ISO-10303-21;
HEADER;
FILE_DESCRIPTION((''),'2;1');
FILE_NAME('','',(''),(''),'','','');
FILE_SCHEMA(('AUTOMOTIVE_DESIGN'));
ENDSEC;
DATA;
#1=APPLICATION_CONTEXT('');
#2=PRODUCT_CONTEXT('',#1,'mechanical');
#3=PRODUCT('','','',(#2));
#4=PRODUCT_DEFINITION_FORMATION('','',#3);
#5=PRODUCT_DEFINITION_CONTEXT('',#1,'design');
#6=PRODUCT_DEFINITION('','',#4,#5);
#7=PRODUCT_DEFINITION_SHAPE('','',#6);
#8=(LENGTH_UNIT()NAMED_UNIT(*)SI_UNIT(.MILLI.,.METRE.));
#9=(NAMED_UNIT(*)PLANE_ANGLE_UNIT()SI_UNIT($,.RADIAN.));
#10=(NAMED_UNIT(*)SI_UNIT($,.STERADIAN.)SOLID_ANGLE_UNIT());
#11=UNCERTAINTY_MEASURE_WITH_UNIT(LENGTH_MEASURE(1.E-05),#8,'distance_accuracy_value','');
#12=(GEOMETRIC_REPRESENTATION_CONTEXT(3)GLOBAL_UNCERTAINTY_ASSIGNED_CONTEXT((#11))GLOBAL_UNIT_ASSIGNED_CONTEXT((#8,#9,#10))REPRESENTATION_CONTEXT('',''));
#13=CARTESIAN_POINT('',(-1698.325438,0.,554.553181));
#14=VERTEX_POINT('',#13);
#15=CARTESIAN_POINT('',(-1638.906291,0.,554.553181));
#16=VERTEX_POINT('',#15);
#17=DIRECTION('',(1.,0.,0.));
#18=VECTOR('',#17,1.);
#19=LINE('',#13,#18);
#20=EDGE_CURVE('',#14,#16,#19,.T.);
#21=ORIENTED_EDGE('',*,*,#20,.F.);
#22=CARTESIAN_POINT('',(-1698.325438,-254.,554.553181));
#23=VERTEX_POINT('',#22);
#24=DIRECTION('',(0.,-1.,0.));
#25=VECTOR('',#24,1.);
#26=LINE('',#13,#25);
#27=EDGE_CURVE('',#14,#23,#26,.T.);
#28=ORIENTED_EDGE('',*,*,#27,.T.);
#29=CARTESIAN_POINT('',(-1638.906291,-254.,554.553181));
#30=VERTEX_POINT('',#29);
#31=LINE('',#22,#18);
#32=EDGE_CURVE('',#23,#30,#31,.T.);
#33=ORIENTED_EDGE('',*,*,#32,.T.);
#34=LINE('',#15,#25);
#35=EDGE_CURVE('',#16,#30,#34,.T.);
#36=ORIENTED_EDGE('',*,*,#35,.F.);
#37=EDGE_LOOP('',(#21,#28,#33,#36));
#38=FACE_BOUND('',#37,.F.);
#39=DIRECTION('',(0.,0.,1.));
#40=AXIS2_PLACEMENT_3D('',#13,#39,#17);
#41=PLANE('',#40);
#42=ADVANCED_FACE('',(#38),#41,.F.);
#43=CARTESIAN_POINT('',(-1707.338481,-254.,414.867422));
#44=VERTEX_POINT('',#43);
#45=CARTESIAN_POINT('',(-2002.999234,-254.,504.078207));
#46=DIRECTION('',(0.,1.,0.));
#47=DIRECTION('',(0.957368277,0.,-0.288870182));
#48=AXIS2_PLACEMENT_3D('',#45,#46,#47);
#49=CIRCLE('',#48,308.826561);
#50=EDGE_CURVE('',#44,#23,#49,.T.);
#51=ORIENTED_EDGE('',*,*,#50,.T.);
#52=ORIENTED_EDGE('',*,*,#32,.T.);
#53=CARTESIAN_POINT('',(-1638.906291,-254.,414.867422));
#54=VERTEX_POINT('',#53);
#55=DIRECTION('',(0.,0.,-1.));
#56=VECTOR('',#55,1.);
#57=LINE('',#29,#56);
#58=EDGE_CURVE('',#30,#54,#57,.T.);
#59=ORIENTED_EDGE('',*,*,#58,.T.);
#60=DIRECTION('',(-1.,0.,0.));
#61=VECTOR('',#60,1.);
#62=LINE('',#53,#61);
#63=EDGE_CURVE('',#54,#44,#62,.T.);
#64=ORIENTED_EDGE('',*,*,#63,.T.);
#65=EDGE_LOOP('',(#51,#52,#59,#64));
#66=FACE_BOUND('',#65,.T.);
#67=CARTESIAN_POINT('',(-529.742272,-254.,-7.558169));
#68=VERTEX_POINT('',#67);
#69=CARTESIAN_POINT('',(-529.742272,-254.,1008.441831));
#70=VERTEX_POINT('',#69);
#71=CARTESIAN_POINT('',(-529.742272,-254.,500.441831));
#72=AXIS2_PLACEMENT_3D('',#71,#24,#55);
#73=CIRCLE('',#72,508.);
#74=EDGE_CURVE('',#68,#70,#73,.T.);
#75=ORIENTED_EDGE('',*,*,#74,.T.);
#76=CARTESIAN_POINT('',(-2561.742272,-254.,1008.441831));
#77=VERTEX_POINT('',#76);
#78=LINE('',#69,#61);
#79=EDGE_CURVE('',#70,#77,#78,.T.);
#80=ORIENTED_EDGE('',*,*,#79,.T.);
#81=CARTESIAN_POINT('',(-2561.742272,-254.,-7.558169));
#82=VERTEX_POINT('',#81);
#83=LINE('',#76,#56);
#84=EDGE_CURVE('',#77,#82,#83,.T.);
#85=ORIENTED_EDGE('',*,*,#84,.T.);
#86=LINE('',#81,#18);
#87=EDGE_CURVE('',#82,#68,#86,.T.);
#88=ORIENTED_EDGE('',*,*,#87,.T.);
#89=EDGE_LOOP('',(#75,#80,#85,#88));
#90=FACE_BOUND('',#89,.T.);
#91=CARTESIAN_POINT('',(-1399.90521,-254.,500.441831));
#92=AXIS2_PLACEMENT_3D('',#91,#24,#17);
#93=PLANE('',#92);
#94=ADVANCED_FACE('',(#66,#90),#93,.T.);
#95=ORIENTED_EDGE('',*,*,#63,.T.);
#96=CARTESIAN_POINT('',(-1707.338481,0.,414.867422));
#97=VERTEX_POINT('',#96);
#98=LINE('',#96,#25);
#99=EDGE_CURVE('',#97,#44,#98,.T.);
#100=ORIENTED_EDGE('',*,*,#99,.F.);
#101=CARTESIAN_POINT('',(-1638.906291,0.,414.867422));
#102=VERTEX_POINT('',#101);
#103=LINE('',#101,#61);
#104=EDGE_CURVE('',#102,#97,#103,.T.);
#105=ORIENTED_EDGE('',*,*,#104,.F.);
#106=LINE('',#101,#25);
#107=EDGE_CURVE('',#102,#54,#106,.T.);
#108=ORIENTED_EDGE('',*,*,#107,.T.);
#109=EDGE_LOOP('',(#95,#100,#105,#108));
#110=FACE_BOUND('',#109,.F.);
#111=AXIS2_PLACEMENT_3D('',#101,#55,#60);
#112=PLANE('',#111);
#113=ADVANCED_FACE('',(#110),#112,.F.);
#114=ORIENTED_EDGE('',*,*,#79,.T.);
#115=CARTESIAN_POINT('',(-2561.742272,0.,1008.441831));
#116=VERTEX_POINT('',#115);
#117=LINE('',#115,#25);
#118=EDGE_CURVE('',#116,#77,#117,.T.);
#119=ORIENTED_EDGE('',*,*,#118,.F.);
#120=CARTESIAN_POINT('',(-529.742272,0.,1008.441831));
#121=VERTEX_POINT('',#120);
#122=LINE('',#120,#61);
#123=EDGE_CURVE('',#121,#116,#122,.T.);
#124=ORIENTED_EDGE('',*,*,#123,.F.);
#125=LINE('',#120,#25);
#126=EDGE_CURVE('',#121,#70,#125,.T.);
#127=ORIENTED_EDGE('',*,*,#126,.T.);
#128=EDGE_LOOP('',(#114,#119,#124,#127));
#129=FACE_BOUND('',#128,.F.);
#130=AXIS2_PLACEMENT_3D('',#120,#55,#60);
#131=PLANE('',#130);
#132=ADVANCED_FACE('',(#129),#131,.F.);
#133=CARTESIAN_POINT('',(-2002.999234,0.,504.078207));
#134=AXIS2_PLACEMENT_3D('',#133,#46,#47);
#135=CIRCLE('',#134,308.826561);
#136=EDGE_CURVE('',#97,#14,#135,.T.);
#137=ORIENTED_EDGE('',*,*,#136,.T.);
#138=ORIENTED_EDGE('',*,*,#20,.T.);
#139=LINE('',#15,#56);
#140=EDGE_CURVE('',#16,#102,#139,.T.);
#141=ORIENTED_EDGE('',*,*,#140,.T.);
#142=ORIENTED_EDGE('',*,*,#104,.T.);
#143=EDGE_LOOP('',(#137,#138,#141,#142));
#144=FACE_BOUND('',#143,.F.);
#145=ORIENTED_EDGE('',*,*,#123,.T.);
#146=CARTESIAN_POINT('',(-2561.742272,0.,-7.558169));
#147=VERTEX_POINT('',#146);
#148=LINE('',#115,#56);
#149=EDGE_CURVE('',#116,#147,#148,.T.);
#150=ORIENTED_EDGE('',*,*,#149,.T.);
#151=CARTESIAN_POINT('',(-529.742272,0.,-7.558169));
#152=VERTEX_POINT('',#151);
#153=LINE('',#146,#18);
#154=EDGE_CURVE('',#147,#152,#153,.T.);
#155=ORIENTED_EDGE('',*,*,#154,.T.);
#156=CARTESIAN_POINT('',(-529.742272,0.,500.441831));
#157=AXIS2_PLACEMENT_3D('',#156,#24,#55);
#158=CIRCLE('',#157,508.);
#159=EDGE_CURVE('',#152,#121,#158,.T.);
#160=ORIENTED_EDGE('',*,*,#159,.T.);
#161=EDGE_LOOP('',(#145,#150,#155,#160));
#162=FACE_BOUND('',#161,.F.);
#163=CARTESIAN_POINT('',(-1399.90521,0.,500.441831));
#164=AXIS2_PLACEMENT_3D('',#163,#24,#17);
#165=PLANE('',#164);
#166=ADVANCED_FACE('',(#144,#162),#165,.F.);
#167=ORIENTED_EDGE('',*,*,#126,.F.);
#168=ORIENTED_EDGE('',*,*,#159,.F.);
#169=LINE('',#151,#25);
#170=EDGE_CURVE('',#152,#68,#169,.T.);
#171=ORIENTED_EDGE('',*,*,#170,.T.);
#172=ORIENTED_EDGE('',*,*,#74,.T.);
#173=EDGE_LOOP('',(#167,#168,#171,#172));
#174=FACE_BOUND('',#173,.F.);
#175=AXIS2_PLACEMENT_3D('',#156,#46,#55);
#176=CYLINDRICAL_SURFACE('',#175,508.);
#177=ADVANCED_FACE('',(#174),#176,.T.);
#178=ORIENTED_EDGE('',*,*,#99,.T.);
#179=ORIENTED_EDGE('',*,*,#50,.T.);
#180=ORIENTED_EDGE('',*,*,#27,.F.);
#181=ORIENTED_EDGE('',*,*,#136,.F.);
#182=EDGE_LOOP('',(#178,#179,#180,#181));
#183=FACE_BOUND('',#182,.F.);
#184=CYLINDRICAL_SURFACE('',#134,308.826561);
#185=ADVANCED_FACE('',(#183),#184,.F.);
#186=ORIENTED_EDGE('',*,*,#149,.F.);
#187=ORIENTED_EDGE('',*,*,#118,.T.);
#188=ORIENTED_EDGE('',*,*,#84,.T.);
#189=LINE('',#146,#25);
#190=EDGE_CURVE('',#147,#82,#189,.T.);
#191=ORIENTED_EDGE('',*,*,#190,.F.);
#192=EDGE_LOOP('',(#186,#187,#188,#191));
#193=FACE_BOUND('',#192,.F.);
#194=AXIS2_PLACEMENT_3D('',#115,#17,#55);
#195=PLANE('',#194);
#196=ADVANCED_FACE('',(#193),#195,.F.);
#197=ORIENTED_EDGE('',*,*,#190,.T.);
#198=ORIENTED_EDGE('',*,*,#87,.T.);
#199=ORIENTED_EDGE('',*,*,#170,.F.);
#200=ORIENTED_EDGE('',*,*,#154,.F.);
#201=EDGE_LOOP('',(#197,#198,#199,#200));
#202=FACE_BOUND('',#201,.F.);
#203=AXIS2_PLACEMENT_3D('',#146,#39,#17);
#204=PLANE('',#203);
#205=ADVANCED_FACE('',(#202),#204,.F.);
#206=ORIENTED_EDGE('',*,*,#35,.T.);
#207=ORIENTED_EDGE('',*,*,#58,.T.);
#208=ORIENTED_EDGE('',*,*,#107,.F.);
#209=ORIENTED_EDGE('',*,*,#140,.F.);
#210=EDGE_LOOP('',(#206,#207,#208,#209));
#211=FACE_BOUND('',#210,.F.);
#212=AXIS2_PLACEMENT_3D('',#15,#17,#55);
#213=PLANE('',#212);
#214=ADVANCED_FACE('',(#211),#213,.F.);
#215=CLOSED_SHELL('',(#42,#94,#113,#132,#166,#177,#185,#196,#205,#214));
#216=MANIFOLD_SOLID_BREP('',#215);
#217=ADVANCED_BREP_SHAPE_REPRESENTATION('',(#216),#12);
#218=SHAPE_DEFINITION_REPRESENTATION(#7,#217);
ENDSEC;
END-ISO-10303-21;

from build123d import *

# Parameters (mm, degrees)
F1_DEPTH = 254


with BuildPart() as f1:
    # F0 (on Front) → F1 (new body)
    with BuildSketch(Plane.XZ):
        with BuildLine():
            Line((-2561.742272, -7.558169), (-529.742272, -7.558169))
            ThreePointArc((-529.742272, -7.558169), (-21.742272, 500.441831), (-529.742272, 1008.441831))
            Line((-529.742272, 1008.441831), (-2561.742272, 1008.441831))
            Line((-2561.742272, 1008.441831), (-2561.742272, -7.558169))
        make_face()
        with BuildLine():
            ThreePointArc((-1707.338481, 414.867422), (-2311.184925, 523.963491), (-1698.325438, 554.553181))
            Line((-1698.325438, 554.553181), (-1638.906291, 554.553181))
            Line((-1638.906291, 554.553181), (-1638.906291, 414.867422))
            Line((-1638.906291, 414.867422), (-1707.338481, 414.867422))
        make_face(mode=Mode.SUBTRACT)
    extrude(amount=F1_DEPTH)


solid = f1.part
